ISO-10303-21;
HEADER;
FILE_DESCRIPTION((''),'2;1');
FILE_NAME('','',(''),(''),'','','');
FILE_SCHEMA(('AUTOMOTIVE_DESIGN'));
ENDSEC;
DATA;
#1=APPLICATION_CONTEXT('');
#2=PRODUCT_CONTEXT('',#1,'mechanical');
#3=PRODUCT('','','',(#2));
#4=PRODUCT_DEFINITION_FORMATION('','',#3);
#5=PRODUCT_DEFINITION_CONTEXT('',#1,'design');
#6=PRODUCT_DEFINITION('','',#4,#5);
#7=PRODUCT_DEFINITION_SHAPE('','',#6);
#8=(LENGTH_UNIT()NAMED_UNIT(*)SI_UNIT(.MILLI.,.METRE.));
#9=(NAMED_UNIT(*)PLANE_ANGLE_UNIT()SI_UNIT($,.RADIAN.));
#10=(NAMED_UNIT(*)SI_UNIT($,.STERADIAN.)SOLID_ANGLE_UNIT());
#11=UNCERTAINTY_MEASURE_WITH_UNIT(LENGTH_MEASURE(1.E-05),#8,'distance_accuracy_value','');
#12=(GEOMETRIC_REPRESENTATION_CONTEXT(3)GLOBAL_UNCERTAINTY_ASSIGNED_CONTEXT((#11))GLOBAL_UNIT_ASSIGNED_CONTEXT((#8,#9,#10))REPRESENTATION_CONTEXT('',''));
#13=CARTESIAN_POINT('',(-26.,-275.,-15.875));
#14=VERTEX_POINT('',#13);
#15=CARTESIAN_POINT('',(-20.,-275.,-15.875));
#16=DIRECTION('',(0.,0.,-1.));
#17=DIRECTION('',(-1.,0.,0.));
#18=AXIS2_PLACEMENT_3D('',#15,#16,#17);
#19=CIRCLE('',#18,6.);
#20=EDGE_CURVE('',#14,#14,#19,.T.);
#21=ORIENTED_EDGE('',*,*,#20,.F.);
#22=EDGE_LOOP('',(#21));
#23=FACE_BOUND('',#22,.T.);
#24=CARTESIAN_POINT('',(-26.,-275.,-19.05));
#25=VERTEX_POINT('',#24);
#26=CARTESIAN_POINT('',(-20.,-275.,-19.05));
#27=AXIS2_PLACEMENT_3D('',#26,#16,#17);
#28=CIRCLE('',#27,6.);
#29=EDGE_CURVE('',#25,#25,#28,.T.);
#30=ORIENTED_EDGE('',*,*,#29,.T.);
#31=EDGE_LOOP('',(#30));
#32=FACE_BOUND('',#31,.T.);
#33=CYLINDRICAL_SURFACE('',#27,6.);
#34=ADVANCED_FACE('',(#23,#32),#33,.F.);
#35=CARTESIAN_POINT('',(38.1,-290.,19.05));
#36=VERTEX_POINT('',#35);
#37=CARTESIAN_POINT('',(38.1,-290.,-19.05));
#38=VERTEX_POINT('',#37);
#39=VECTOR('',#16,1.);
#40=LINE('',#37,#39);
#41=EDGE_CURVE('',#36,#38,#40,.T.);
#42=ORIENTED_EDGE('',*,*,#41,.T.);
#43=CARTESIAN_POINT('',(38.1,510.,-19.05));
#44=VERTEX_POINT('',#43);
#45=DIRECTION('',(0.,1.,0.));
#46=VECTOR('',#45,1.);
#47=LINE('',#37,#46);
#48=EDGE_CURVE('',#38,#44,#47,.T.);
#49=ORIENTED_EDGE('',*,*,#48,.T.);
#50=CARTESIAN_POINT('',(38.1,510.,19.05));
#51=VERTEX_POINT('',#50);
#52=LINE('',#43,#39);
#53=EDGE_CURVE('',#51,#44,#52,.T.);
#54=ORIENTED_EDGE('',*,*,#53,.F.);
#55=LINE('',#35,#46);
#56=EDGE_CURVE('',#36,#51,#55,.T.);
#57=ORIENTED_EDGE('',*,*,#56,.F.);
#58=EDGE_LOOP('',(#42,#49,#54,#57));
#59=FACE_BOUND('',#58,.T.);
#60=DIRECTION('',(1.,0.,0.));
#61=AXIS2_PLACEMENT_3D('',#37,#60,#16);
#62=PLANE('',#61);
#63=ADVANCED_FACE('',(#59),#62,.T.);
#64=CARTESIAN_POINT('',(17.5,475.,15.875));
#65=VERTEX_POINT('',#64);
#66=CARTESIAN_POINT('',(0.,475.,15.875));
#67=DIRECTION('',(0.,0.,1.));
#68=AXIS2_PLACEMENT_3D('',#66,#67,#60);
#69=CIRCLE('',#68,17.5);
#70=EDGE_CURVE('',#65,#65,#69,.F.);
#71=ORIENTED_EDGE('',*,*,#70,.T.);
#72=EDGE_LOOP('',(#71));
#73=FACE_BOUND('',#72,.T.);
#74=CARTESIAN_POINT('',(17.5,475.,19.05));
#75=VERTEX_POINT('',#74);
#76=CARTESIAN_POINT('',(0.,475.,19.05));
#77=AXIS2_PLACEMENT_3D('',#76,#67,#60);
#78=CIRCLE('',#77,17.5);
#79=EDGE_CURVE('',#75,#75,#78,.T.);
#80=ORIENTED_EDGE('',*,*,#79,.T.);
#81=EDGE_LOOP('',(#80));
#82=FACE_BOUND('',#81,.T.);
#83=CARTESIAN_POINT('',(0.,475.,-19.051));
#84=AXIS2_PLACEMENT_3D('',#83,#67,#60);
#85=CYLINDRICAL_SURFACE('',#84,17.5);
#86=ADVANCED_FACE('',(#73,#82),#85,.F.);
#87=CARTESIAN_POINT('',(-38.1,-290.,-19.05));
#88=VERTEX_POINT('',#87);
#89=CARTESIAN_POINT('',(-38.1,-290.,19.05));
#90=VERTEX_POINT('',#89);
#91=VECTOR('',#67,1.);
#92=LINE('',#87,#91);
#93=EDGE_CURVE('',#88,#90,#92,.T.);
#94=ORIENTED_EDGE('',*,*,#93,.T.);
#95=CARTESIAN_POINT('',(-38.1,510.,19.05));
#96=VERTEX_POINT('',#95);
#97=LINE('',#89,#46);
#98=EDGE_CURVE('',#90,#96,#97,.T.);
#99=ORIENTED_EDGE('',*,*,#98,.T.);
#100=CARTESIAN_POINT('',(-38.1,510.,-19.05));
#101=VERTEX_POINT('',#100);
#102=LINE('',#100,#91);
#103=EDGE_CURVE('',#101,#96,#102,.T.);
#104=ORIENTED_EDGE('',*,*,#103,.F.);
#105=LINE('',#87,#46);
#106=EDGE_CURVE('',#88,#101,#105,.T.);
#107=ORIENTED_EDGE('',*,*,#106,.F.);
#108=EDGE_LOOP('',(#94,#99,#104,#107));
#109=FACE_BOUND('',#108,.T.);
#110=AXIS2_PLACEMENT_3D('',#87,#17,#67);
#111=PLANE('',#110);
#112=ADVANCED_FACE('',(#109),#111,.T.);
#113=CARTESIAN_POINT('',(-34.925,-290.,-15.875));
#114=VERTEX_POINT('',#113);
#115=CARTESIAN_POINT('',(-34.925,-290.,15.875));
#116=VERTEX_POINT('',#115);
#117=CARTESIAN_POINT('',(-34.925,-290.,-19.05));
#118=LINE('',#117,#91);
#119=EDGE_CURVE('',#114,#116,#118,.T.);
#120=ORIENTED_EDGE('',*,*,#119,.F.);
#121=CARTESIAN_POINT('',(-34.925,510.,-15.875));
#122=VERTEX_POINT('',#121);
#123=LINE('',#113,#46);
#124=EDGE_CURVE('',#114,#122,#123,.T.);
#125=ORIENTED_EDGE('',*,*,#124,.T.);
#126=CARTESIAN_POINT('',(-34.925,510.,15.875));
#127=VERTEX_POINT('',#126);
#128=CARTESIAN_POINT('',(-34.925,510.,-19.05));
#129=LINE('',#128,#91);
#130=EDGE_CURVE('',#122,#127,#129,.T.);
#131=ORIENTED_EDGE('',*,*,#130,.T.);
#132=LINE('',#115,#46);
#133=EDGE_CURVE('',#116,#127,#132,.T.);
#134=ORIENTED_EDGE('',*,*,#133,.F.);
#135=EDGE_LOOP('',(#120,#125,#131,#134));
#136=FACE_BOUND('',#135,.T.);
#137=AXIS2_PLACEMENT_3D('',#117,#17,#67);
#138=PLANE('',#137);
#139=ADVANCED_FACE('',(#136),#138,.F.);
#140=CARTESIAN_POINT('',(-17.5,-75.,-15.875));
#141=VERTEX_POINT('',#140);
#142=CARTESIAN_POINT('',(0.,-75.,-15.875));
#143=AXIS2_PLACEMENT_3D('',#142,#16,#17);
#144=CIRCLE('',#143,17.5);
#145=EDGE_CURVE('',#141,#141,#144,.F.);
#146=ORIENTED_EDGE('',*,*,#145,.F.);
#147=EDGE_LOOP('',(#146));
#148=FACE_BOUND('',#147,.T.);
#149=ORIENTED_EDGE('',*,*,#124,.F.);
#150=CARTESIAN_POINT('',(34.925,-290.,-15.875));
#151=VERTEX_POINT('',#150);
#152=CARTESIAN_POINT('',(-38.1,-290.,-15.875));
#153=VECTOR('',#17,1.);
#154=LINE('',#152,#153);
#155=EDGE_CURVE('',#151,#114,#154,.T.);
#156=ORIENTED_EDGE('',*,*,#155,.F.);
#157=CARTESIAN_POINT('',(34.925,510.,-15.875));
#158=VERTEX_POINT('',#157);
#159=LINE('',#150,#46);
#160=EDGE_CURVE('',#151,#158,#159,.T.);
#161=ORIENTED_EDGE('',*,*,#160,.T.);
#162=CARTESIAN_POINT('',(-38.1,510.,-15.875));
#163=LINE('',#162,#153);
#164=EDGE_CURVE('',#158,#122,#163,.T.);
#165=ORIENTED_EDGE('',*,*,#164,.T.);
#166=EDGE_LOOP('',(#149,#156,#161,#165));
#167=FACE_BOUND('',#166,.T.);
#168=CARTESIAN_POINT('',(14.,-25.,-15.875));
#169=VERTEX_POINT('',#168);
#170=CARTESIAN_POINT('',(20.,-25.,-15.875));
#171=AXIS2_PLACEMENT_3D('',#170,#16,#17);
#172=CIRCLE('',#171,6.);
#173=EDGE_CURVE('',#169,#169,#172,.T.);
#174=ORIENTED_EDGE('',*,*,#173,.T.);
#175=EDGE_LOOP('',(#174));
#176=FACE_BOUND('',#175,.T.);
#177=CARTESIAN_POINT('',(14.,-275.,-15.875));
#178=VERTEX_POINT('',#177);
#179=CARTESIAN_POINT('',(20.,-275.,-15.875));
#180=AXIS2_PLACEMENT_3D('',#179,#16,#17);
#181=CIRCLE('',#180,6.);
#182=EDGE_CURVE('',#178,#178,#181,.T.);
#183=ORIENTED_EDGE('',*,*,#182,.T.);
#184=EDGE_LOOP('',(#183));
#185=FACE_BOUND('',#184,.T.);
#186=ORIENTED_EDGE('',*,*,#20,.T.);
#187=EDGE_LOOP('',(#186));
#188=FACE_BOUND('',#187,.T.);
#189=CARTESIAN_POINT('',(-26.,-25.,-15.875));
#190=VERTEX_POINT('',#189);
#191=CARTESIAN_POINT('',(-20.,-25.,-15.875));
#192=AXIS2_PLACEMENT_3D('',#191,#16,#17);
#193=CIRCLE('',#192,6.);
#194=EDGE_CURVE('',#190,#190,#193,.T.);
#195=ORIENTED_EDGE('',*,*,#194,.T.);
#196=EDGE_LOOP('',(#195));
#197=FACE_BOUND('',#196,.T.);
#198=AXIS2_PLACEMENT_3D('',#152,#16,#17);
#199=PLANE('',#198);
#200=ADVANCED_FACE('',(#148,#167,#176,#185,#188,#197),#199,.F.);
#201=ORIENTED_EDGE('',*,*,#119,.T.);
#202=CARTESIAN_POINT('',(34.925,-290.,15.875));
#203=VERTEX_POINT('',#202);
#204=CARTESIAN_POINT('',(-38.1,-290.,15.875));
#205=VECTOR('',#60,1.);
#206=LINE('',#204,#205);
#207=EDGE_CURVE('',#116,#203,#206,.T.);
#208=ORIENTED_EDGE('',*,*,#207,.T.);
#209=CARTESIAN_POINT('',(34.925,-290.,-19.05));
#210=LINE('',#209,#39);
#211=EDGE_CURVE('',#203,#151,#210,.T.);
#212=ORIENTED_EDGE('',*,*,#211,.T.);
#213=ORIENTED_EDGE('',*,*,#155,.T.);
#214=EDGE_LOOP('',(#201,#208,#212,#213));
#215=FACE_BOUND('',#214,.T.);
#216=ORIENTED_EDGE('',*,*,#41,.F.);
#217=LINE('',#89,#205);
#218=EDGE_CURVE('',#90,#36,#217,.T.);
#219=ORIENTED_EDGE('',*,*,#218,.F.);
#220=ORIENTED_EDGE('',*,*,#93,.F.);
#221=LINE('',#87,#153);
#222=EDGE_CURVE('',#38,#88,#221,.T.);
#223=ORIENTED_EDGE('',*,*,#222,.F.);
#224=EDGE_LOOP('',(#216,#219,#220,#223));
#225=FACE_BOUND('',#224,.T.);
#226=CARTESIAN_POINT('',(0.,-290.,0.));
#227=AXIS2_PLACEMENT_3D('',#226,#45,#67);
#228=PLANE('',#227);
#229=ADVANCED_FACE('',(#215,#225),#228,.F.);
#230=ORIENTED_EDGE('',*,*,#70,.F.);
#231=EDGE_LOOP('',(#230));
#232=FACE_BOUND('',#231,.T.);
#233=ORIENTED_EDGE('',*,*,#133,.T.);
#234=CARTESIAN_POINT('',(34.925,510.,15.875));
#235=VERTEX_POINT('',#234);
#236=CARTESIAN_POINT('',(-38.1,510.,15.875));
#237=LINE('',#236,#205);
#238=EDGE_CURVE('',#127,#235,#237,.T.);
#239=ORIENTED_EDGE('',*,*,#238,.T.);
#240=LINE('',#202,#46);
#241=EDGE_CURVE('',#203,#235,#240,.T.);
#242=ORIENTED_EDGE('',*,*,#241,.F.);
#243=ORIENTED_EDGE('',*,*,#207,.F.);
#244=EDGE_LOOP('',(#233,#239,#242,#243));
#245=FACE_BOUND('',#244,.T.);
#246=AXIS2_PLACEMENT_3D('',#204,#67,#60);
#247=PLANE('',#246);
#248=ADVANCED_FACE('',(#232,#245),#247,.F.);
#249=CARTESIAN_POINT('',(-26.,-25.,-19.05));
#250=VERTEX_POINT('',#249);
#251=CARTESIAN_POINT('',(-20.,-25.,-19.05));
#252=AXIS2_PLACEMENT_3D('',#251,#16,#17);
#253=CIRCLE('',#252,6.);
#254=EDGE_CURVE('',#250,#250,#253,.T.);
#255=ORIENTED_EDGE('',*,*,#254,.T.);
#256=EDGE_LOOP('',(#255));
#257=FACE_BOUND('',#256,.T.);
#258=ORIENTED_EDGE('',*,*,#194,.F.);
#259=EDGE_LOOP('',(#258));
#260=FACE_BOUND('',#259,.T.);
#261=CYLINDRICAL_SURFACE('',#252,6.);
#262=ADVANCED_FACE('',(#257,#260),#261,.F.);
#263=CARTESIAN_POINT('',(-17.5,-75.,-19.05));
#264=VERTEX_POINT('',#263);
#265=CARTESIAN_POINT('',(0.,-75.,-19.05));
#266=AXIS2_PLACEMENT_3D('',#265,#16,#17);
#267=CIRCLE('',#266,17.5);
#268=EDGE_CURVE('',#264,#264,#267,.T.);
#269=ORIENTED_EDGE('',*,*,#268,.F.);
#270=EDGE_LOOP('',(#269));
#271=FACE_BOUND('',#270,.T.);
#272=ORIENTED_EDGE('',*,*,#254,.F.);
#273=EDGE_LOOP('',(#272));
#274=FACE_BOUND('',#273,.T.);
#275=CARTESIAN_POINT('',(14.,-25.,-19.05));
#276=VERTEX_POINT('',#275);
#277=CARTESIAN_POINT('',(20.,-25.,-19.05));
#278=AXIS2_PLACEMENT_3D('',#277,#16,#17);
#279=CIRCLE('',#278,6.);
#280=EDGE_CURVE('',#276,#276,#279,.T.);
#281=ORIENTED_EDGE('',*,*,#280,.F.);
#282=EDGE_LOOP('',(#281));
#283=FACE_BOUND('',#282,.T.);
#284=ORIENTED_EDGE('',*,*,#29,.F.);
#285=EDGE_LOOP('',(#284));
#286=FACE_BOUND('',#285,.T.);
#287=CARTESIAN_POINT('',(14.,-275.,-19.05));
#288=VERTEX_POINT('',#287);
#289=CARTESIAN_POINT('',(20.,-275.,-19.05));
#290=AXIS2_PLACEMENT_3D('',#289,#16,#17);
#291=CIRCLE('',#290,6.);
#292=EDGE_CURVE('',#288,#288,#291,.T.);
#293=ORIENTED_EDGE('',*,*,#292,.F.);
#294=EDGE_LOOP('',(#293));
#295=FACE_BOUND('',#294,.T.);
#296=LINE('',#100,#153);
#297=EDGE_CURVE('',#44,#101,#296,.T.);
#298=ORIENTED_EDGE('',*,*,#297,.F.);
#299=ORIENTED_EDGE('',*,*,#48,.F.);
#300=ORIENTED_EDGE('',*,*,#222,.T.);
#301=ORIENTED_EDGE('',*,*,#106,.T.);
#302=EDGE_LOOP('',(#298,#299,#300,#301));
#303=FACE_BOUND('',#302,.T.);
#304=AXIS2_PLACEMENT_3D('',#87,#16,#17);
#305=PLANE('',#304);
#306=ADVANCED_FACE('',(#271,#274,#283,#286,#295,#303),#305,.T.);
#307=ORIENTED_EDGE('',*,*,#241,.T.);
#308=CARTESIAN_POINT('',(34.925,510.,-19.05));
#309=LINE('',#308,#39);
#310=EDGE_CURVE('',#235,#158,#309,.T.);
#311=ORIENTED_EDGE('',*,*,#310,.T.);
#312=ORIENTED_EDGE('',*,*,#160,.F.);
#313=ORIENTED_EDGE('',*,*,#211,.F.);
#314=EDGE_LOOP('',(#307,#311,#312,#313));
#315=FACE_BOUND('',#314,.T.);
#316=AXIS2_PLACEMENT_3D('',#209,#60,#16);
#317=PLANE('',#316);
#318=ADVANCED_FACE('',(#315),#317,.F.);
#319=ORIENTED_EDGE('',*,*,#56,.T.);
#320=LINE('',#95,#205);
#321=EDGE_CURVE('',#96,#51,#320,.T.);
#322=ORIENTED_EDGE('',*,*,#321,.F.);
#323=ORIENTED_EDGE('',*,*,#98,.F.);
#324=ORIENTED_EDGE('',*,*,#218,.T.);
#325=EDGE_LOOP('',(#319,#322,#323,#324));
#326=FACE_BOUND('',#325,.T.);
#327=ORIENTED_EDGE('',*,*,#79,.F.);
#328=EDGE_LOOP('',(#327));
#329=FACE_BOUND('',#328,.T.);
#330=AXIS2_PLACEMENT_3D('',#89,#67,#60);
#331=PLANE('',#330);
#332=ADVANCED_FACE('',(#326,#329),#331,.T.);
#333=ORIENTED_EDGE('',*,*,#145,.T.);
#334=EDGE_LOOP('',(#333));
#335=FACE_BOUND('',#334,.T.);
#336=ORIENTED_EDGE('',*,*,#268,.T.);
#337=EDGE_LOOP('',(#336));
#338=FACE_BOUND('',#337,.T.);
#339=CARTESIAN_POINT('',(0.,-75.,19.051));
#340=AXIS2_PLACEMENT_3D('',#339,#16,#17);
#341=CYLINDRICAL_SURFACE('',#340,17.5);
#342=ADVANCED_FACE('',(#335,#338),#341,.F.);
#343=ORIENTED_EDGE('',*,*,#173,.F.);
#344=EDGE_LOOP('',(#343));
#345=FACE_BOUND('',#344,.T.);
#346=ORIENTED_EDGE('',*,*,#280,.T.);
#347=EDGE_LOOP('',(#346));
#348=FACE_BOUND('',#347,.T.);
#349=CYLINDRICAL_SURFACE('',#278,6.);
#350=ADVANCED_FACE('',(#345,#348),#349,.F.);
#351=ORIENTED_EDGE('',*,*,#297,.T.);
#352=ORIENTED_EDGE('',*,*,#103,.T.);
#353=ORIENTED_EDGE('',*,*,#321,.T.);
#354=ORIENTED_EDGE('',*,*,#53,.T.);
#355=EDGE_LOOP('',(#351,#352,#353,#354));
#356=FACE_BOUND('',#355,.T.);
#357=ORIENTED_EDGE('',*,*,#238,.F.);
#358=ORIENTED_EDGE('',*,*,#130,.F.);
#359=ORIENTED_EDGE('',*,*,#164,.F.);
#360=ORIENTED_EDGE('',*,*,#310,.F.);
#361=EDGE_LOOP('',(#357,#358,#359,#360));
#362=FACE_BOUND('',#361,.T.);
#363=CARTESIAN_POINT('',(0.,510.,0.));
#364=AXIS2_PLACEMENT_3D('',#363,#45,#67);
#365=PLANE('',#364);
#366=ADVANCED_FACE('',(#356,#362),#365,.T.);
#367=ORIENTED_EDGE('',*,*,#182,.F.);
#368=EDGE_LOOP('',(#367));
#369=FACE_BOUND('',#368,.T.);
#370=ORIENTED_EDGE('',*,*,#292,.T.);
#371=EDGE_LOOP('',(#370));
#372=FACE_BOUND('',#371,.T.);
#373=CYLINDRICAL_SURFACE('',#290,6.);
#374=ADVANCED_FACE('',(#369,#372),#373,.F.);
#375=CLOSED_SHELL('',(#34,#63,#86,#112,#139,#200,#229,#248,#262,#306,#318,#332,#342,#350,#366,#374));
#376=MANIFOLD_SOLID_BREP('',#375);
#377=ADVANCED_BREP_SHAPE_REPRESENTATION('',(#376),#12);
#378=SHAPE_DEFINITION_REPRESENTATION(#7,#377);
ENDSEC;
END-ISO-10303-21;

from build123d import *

# Parameters (mm, degrees)
EXTRUDE_THIN1_DEPTH            = 510
EXTRUDE_THIN1_DEPTH_BACK       = 290
SKETCH1_W                      = 76.2
SKETCH1_H                      = 38.1
SKETCH1_W_2                    = 69.85
SKETCH1_H_2                    = 31.75
F_12_0_12_DIAMETER_HOLE1_D     = 12
F_12_0_12_DIAMETER_HOLE1_DEPTH = 3.175
CUT_EXTRUDE1_REACH             = 514.838
SKETCH6_R                      = 17.5
CUT_EXTRUDE2_REACH             = 514.838
SKETCH7_R                      = 17.5


with BuildPart() as part:
    # Sketch1 → Extrude-Thin1 (new, two sides: drawn at the far end of the back side and taken through both)
    with BuildSketch(Plane(origin=(0, 0, 0), x_dir=(1, 0, 0), z_dir=(0, 1, 0)).offset(-EXTRUDE_THIN1_DEPTH_BACK)):
        Rectangle(SKETCH1_W, SKETCH1_H)
        Rectangle(SKETCH1_W_2, SKETCH1_H_2, mode=Mode.SUBTRACT)
    extrude(amount=EXTRUDE_THIN1_DEPTH + EXTRUDE_THIN1_DEPTH_BACK)

    # Ø12.0 (12) Diameter Hole1
    with Locations(Plane(origin=(0, 0, -19.05), x_dir=(-1, 0, 0), z_dir=(0, 0, -1))):
        with Locations((-20, -25), (20, -275), (-20, -275), (20, -25)):
            Hole(F_12_0_12_DIAMETER_HOLE1_D / 2, depth=F_12_0_12_DIAMETER_HOLE1_DEPTH)

    # Sketch6 → Cut-Extrude1 (cut, up to next)
    with BuildSketch(Plane.XY.offset(19.05), mode=Mode.PRIVATE) as cut_extrude1_sk1:
        with Locations((0, 475)):
            Circle(SKETCH6_R)
    cut_extrude1_tool1 = extrude(cut_extrude1_sk1.sketch, amount=-CUT_EXTRUDE1_REACH, mode=Mode.PRIVATE) & part.part
    add(cut_extrude1_tool1.solids().sort_by_distance((0, 475, 19.05))[0], mode=Mode.SUBTRACT)

    # Sketch7 → Cut-Extrude2 (cut, up to next)
    with BuildSketch(Plane(origin=(0, 0, -19.05), x_dir=(-1, 0, 0), z_dir=(0, 0, -1)), mode=Mode.PRIVATE) as cut_extrude2_sk1:
        with Locations((0, -75)):
            Circle(SKETCH7_R)
    cut_extrude2_tool1 = extrude(cut_extrude2_sk1.sketch, amount=-CUT_EXTRUDE2_REACH, mode=Mode.PRIVATE) & part.part
    add(cut_extrude2_tool1.solids().sort_by_distance((0, -75, -19.05))[0], mode=Mode.SUBTRACT)


solid = part.part
